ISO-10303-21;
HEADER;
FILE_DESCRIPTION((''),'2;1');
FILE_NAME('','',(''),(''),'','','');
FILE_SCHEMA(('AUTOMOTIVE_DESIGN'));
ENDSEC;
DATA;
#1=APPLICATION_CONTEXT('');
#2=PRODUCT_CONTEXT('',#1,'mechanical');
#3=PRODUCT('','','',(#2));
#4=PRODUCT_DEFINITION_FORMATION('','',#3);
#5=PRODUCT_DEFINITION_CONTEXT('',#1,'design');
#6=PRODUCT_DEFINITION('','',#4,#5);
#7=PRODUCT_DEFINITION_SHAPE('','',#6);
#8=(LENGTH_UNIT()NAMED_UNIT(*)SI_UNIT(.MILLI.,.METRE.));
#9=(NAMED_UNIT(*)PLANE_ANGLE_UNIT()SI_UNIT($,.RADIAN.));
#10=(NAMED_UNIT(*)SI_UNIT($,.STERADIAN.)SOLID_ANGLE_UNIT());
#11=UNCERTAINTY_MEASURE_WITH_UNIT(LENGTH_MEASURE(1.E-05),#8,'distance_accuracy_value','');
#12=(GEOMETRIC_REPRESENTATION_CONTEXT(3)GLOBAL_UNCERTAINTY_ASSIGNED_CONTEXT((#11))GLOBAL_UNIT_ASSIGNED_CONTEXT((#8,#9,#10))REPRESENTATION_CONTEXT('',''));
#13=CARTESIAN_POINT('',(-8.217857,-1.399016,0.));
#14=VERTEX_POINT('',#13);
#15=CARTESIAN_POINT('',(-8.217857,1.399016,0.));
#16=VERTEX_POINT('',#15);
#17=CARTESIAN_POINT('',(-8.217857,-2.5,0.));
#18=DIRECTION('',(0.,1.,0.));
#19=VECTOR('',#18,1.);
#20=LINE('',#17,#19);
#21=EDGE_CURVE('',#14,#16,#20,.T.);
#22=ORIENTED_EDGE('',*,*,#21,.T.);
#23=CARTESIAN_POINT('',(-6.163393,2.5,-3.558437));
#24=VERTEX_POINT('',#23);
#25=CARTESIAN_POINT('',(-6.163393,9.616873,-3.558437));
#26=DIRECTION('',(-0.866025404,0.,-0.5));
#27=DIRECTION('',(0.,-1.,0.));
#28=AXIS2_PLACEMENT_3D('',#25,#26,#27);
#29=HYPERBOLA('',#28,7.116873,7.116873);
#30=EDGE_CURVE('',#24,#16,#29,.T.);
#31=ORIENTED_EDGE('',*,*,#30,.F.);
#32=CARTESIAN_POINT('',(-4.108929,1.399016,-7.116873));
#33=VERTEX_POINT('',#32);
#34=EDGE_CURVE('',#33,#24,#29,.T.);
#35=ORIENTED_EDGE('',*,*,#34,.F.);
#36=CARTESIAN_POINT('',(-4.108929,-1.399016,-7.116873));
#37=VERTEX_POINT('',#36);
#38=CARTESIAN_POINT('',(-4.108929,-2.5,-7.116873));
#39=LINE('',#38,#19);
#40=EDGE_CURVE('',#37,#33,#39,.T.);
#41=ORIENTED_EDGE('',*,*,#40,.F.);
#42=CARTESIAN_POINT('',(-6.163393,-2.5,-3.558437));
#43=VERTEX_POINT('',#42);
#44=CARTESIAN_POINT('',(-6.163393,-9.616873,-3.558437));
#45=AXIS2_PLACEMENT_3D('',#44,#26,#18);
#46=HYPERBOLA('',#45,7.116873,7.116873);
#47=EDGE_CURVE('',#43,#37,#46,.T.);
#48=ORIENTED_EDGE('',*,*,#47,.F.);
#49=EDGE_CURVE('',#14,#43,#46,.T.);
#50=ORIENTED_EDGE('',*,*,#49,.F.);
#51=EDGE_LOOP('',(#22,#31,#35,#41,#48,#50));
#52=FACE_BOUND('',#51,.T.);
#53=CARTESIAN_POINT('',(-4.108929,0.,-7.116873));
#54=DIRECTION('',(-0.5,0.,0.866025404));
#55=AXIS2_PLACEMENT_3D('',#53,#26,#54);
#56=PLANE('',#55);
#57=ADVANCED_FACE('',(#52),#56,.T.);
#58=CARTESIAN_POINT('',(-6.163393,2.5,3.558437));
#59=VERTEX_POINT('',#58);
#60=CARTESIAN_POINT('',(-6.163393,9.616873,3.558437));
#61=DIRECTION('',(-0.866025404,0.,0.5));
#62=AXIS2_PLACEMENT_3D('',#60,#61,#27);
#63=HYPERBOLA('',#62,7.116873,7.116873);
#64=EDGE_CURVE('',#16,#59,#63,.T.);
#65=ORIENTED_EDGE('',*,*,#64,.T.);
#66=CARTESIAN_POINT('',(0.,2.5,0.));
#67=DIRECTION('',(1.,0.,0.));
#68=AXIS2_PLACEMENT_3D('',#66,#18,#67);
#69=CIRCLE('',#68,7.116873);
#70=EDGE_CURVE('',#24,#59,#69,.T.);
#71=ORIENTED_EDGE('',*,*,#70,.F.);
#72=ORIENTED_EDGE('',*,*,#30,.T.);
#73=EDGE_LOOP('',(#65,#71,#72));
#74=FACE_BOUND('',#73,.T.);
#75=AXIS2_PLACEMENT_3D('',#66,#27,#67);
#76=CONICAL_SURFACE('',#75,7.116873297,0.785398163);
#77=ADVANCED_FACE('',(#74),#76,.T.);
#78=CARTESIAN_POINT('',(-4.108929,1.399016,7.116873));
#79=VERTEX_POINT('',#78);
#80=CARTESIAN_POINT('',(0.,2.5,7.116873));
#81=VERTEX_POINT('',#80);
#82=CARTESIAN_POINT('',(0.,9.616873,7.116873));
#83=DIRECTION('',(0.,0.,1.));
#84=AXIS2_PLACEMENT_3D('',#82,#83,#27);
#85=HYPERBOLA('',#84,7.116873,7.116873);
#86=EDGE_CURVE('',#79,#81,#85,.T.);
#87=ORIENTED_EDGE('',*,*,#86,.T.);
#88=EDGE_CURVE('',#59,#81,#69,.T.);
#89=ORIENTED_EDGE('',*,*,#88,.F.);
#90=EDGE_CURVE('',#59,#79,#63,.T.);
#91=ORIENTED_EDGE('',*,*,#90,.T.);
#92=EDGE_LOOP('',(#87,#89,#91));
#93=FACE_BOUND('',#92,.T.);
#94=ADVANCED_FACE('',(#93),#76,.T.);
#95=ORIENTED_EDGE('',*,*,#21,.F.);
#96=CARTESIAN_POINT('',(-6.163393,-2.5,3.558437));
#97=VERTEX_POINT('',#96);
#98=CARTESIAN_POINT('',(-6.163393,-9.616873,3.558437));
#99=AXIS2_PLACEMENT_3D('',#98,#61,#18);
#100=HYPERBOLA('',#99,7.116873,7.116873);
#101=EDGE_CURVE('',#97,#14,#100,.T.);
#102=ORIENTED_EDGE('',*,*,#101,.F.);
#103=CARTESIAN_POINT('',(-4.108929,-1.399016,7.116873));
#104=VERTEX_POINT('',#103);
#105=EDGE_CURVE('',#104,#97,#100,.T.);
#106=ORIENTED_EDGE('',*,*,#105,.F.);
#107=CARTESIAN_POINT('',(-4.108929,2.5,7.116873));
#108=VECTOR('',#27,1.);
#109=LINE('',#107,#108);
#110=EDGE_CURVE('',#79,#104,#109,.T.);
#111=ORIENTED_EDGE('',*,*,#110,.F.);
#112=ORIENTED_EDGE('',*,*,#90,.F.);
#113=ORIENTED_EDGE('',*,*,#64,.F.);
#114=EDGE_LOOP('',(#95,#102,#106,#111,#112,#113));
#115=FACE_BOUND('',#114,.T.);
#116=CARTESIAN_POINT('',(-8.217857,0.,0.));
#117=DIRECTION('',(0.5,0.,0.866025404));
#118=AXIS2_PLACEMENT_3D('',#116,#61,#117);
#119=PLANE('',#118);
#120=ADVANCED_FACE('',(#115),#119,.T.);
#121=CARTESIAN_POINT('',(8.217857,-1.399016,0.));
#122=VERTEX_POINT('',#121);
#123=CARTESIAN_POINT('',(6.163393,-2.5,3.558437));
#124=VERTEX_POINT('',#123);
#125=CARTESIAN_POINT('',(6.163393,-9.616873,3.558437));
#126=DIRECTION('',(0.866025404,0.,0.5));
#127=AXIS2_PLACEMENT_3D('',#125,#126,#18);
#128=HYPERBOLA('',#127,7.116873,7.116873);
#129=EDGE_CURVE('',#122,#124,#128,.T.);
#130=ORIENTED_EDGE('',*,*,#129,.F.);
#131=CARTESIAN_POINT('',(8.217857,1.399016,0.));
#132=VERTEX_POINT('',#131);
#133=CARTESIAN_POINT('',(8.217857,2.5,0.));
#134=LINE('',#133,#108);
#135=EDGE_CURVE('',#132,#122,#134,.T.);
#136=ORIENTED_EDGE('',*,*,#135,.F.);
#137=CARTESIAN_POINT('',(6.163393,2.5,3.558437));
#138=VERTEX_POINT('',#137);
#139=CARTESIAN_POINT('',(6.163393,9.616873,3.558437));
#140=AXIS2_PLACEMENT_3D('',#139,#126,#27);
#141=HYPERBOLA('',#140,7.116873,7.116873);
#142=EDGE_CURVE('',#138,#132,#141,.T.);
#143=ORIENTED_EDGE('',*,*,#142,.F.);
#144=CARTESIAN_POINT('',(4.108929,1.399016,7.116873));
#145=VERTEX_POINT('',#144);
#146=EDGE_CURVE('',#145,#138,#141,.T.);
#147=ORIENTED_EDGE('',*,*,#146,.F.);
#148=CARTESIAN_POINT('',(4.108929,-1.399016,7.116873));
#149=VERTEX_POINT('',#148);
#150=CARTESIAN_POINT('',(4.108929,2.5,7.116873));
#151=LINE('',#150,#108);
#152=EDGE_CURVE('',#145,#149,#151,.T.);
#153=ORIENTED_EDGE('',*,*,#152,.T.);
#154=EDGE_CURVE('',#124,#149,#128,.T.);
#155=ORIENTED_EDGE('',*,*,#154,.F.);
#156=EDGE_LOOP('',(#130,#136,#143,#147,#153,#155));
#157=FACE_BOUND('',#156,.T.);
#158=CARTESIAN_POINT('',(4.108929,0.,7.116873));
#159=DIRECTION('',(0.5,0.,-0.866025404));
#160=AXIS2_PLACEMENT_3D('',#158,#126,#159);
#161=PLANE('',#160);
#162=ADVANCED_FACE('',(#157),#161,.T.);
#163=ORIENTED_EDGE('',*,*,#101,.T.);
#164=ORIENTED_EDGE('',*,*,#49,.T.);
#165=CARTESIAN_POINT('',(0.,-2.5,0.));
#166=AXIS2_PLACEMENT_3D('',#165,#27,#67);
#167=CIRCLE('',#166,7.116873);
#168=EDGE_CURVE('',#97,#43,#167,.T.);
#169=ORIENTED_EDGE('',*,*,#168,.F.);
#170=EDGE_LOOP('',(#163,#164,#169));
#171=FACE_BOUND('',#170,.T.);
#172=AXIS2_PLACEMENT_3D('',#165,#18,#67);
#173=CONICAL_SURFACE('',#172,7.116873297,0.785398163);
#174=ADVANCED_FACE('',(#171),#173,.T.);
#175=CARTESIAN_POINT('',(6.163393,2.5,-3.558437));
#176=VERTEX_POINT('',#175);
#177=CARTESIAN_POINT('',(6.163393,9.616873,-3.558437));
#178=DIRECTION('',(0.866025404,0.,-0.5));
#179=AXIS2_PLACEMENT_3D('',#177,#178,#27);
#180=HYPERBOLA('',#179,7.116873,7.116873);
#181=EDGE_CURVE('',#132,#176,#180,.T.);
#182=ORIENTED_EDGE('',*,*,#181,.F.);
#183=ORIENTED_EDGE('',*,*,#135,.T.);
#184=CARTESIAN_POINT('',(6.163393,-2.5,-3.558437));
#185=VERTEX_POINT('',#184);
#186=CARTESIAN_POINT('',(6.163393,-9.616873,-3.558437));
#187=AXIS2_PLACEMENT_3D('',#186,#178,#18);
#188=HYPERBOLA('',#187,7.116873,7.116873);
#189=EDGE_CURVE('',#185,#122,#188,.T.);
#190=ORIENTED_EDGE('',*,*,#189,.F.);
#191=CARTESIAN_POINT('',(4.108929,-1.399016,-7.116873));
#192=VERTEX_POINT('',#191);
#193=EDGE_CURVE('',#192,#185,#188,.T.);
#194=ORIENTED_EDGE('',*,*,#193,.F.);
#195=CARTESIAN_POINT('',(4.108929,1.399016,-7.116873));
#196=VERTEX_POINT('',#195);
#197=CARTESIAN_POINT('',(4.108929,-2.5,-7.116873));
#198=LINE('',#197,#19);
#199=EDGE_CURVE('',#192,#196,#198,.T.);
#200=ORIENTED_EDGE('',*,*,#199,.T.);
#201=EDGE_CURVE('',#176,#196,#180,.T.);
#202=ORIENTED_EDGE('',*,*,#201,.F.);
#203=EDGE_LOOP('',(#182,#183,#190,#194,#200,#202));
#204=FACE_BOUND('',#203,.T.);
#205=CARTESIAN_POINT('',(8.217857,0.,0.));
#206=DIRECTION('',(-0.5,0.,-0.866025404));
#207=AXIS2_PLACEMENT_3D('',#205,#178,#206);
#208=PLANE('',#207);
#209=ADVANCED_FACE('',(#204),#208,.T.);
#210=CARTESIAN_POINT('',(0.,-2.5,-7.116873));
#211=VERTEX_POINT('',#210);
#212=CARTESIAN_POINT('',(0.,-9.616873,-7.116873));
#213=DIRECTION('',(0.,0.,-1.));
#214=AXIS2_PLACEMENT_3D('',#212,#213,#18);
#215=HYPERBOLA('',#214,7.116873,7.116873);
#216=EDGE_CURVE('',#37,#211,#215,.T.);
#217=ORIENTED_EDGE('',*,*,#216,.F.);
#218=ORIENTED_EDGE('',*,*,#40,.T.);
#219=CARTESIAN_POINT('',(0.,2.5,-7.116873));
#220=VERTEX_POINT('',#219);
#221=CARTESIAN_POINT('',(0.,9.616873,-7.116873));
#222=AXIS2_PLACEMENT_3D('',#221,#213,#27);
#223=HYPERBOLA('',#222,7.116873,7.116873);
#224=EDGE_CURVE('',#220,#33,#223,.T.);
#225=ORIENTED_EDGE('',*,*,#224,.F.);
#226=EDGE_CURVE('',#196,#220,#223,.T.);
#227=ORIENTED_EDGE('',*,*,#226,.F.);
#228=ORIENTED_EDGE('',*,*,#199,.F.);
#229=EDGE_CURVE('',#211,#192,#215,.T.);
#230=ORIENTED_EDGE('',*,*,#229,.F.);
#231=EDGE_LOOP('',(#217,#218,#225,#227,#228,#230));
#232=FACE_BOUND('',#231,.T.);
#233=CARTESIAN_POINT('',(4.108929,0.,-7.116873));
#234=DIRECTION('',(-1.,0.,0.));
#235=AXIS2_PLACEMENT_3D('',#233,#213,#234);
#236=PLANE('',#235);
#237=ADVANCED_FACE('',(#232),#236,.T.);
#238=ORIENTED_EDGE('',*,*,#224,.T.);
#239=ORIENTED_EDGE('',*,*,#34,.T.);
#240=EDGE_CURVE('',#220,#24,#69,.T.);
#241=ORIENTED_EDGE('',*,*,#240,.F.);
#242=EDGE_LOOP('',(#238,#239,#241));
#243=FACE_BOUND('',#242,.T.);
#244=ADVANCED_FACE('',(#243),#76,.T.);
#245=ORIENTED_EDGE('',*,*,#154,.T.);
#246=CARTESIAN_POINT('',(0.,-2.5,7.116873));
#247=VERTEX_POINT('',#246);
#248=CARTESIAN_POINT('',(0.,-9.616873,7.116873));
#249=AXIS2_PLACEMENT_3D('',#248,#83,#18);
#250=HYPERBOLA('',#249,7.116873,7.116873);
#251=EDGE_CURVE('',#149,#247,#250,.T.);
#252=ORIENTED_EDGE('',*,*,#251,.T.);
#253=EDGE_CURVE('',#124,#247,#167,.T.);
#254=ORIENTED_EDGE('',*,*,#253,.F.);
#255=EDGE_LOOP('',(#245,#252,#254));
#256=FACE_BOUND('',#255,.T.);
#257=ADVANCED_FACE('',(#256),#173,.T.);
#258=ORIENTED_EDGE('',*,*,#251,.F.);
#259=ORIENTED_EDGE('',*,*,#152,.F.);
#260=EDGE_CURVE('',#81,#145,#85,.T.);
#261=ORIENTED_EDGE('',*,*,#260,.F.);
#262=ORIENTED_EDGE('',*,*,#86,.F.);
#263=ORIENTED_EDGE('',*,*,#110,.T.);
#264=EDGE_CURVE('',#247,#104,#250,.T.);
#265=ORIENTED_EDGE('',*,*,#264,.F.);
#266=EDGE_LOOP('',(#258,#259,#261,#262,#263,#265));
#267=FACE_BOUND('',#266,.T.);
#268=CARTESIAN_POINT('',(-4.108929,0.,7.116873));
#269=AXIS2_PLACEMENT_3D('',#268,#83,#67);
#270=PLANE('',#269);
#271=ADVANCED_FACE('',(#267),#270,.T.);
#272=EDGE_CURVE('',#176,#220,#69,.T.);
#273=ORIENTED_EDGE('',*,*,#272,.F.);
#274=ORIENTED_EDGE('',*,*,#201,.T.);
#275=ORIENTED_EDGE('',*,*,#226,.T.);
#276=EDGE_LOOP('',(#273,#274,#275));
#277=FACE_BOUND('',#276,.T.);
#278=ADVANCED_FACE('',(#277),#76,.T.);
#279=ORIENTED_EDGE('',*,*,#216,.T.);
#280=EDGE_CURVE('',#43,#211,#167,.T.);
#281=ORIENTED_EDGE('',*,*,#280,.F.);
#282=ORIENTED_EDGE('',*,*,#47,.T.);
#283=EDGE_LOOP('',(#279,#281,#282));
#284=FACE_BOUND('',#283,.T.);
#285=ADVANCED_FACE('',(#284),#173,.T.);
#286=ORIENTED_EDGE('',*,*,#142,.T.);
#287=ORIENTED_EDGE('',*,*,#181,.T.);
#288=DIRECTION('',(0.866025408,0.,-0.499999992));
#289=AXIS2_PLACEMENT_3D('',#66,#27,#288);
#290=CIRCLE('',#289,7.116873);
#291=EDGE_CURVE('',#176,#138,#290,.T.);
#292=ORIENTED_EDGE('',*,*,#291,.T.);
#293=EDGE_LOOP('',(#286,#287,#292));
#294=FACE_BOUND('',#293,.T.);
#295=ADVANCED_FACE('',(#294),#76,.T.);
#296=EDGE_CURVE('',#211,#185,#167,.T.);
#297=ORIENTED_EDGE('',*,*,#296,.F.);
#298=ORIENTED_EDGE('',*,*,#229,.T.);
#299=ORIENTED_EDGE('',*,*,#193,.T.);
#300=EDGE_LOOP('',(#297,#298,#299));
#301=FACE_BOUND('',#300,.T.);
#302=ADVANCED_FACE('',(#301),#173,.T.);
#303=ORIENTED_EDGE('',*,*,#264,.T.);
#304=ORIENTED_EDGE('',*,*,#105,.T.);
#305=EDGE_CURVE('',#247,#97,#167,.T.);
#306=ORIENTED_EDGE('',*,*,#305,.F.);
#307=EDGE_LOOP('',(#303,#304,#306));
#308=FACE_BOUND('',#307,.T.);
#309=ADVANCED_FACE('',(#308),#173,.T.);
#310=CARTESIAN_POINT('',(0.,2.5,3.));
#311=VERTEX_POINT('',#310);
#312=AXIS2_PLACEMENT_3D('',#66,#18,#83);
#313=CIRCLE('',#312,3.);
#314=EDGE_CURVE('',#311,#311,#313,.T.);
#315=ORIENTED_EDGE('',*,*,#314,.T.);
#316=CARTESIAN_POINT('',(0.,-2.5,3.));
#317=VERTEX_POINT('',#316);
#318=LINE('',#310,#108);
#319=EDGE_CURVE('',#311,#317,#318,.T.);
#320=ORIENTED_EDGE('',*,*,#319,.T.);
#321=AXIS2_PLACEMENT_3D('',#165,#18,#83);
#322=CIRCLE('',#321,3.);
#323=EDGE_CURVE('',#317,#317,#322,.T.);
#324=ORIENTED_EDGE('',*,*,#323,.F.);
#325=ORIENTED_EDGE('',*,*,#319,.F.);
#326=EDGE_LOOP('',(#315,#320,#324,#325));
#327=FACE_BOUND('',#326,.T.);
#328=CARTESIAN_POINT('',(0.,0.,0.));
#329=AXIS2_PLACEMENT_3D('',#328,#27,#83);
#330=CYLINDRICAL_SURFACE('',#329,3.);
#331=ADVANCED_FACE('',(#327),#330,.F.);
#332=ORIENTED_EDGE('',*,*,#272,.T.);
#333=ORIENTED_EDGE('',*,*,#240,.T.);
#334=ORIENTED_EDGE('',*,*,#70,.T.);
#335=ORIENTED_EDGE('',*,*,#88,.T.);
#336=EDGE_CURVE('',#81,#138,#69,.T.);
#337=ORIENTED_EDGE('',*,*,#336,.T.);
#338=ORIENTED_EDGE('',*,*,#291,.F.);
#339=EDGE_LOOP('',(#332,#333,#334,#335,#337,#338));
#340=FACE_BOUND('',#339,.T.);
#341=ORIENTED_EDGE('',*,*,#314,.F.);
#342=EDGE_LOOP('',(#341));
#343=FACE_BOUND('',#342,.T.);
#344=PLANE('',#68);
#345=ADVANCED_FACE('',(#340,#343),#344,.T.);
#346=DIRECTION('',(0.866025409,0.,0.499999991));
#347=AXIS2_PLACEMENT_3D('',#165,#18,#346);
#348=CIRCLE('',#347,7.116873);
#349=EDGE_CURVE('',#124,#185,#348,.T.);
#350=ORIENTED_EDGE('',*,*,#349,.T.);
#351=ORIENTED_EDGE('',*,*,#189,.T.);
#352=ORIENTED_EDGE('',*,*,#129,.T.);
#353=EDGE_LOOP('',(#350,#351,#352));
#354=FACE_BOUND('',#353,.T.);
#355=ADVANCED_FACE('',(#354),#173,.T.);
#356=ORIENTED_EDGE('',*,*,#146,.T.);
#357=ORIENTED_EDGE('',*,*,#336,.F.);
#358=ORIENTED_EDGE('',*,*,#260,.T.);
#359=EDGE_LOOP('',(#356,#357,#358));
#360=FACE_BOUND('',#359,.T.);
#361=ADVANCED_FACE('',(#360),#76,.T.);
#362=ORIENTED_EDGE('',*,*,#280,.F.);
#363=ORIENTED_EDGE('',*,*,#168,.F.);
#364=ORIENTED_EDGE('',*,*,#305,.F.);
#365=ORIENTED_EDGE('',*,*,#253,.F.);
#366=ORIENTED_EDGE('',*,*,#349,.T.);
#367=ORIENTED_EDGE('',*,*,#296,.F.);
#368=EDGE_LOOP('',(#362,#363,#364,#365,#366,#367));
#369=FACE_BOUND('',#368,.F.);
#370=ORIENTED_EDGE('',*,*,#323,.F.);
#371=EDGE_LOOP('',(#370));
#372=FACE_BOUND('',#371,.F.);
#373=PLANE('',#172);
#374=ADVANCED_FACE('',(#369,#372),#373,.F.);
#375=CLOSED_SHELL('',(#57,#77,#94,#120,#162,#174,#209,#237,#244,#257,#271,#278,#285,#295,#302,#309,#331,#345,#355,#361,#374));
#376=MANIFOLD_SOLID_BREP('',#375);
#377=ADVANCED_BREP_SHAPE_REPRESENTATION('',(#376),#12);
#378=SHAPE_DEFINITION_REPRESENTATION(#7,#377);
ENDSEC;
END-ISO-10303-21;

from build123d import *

# Parameters (mm, degrees)
SKETCH_1_R          = 3
EXTRUDE_2_DEPTH     = 2.5
SKETCH_4_OUTSIDE_W  = 48.83
SKETCH_4_OUTSIDE_H  = 46.628
SKETCH_4_OUTSIDE_R  = 7.116873297
CUT_EXTRUDE_1_DEPTH = 12.965912678
CUT_EXTRUDE_1_DRAFT = -45
SKETCH_5_OUTSIDE_W  = 48.83
SKETCH_5_OUTSIDE_H  = 46.628
SKETCH_5_OUTSIDE_R  = 7.116873297
CUT_EXTRUDE_2_DEPTH = 12.965912678
CUT_EXTRUDE_2_DRAFT = -45


with BuildPart() as part:
    # 草图1 → 凸台-拉伸2 (new, symmetric)
    with BuildSketch(Plane(origin=(0, 0, 0), x_dir=(1, 0, 0), z_dir=(0, 1, 0))):
        Polygon((8.217857428, 0), (4.108928714, 7.116873297), (-4.108928714, 7.116873297), (-8.217857428, 0), (-4.108928714, -7.116873297), (4.108928714, -7.116873297), align=None)
        with Locations(Location((0, 0, 0), (0, 0, 270))):
            Circle(SKETCH_1_R, mode=Mode.SUBTRACT)
    extrude(amount=EXTRUDE_2_DEPTH, both=True)


with BuildPart() as cut_extrude_1_tool:
    # 草图4 outside → 切除-拉伸1 (with draft: the straight prism first)
    with BuildSketch(Plane(origin=(0, 2.5, 0), x_dir=(1, 0, 0), z_dir=(0, 1, 0))):
        Rectangle(SKETCH_4_OUTSIDE_W, SKETCH_4_OUTSIDE_H)
        Circle(SKETCH_4_OUTSIDE_R, mode=Mode.SUBTRACT)
    extrude(amount=-CUT_EXTRUDE_1_DEPTH)
    # 切除-拉伸1: the draft: its side faces are tilted about the plane it starts from
    cut_extrude_1_sides = [cut_extrude_1_tool.faces().sort_by_distance(p)[0] for p in [
        (0, -3.982956339, 23.314),
        (24.415, -3.982956339, 0),
        (0, -3.982956339, -23.314),
        (-24.415, -3.982956339, 0),
        (-7.116873297, -3.982956339, 0),
    ]]
    draft(cut_extrude_1_sides, Plane(origin=(0, 2.5, 0), x_dir=(1, 0, 0), z_dir=(0, 1, 0)), CUT_EXTRUDE_1_DRAFT)


with BuildPart() as part_1:
    add(part.part)

    # 切除-拉伸1: cut by cut_extrude_1_tool
    add(cut_extrude_1_tool.part, mode=Mode.SUBTRACT)


with BuildPart() as cut_extrude_2_tool:
    # 草图5 outside → 切除-拉伸2 (with draft: the straight prism first)
    with BuildSketch(Plane.XZ.offset(2.5)):
        Rectangle(SKETCH_5_OUTSIDE_W, SKETCH_5_OUTSIDE_H)
        Circle(SKETCH_5_OUTSIDE_R, mode=Mode.SUBTRACT)
    extrude(amount=-CUT_EXTRUDE_2_DEPTH)
    # 切除-拉伸2: the draft: its side faces are tilted about the plane it starts from
    cut_extrude_2_sides = [cut_extrude_2_tool.faces().sort_by_distance(p)[0] for p in [
        (0, 3.982956339, -23.314),
        (24.415, 3.982956339, 0),
        (0, 3.982956339, 23.314),
        (-24.415, 3.982956339, 0),
        (-7.116873297, 3.982956339, 0),
    ]]
    draft(cut_extrude_2_sides, Plane.XZ.offset(2.5), CUT_EXTRUDE_2_DRAFT)


with BuildPart() as part_2:
    add(part_1.part)

    # 切除-拉伸2: cut by cut_extrude_2_tool
    add(cut_extrude_2_tool.part, mode=Mode.SUBTRACT)


solid = part_2.part
